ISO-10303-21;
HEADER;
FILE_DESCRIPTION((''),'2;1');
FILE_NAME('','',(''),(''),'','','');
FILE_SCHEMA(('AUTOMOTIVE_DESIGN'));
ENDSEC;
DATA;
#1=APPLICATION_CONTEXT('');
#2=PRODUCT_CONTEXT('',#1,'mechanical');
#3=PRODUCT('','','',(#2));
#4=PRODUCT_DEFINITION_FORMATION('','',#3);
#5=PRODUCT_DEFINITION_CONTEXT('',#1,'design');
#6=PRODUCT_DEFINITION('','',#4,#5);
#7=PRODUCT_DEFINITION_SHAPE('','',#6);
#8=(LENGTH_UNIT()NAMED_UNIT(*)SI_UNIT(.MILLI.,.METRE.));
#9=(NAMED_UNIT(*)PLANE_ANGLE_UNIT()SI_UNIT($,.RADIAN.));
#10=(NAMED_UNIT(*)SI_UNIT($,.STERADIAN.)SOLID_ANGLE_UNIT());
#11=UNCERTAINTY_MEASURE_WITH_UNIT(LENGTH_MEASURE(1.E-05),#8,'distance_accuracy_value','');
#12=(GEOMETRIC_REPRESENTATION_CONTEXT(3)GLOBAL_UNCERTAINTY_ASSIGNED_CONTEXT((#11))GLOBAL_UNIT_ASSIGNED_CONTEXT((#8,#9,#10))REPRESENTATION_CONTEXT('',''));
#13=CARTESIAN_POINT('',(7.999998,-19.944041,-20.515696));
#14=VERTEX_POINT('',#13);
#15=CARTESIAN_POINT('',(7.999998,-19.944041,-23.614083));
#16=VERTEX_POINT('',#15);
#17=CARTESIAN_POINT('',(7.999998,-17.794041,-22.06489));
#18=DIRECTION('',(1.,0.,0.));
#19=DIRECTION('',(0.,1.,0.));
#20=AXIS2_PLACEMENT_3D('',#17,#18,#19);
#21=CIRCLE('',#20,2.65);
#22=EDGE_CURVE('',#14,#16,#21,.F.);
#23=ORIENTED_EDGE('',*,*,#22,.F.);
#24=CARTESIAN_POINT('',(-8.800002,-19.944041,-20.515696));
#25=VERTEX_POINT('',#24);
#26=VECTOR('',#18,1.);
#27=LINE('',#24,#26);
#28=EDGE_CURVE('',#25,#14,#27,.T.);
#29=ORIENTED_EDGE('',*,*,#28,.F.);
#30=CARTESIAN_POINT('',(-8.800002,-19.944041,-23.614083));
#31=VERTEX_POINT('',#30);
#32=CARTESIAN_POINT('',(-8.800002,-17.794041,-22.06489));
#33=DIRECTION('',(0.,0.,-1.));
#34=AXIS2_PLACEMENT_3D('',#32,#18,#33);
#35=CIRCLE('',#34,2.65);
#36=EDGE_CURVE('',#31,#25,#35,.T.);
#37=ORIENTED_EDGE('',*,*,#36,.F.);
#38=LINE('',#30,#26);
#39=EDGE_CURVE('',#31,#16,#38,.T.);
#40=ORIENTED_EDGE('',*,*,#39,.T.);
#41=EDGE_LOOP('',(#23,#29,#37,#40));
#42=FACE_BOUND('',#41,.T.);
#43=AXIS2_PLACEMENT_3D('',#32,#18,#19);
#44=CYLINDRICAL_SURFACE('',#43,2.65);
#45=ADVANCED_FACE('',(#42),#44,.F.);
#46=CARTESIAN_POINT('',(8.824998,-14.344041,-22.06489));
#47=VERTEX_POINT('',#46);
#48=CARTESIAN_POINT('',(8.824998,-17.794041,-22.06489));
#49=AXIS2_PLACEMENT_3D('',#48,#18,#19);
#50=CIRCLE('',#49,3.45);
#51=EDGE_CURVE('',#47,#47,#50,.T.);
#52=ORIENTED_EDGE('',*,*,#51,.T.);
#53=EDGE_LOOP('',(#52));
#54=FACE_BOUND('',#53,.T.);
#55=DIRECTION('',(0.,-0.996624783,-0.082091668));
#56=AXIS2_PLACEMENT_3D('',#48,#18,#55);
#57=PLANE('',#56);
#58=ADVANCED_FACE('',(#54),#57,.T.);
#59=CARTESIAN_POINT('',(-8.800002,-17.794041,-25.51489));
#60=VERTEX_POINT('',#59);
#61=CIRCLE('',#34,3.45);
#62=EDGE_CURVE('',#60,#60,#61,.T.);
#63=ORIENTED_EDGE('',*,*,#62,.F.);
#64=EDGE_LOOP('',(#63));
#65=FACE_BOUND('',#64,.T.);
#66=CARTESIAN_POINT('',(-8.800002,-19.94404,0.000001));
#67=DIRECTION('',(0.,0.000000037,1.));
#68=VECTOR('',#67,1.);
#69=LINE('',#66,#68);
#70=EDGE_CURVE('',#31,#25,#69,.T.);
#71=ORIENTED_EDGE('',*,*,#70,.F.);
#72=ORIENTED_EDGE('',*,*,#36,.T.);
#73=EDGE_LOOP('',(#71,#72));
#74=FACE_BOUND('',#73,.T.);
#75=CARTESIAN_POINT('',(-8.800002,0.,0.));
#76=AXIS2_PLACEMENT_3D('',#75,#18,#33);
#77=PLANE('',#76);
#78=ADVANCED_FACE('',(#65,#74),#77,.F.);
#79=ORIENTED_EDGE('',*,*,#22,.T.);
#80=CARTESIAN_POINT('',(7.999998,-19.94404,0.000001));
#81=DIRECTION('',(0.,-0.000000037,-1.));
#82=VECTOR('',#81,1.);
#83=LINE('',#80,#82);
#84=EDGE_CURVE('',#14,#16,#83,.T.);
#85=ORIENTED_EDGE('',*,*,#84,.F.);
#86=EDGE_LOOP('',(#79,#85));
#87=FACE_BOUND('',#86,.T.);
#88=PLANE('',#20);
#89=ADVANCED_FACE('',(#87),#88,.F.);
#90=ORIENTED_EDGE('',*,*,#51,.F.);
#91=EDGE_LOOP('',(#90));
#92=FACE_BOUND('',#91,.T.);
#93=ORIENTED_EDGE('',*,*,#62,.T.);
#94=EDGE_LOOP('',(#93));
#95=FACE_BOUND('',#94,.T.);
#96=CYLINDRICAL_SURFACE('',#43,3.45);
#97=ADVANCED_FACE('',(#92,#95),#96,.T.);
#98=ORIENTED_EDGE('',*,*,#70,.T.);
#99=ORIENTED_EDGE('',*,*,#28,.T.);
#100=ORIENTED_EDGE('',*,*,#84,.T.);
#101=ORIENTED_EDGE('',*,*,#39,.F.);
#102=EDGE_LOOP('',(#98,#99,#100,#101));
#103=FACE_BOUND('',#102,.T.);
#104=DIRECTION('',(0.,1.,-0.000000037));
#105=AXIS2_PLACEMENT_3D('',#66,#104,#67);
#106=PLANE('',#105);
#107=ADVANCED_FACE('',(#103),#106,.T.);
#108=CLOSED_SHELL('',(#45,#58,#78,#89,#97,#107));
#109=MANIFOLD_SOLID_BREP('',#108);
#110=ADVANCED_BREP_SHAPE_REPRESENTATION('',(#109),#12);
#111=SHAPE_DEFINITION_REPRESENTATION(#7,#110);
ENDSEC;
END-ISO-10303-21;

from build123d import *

# Parameters (mm, degrees)
BOSS_EXTRUDE1_START = 0.2
BOSS_EXTRUDE1_DEPTH = 17
BOSS_EXTRUDE2_START = 0.825
SKETCH1_3_R         = 3.45
BOSS_EXTRUDE2_DEPTH = 0.825


with BuildPart() as part:
    # Sketch1 → Boss-Extrude1 (new body)
    # profile 1 of 2: a face of its own
    with BuildSketch(Plane(origin=(7.999998093, 0, 0), x_dir=(0, 0, -1), z_dir=(1, 0, 0)).offset(BOSS_EXTRUDE1_START)):
        with BuildLine():
            Line((23.853743883, -20.744040957), (20.276035119, -20.744040824))
            ThreePointArc((20.276035119, -20.744040824), (18.742240101, -16.865331986), (22.06488974, -14.344040891))
            ThreePointArc((22.06488974, -14.344040891), (25.387539191, -16.865332234), (23.853743883, -20.744040957))
        make_face()
        with BuildLine():
            ThreePointArc((23.61408287, -19.944040948), (24.586793684, -16.980099955), (22.06488971, -15.144040891))
            ThreePointArc((22.06488971, -15.144040891), (19.542985599, -16.980099767), (20.515696193, -19.944040833))
            Line((20.515696193, -19.944040833), (23.61408287, -19.944040948))
        make_face(mode=Mode.SUBTRACT)
    # profile 2 of 2: a face of its own
    with BuildSketch(Plane(origin=(7.999998093, 0, 0), x_dir=(0, 0, -1), z_dir=(1, 0, 0)).offset(BOSS_EXTRUDE1_START)):
        with BuildLine():
            ThreePointArc((20.276035119, -20.744040824), (22.064889483, -21.244040891), (23.853743883, -20.744040957))
            Line((23.853743883, -20.744040957), (20.276035119, -20.744040824))
        make_face()
    extrude(amount=-BOSS_EXTRUDE1_DEPTH)

    # Sketch1<3> → Boss-Extrude2 (add)
    with BuildSketch(Plane(origin=(7.999998093, 0, 0), x_dir=(0, 0, -1), z_dir=(1, 0, 0)).offset(BOSS_EXTRUDE2_START)):
        with Locations(Location((22.064889611, -17.794040891, 0), (0, 0, 90))):
            Circle(SKETCH1_3_R)
        with BuildLine():
            Line((23.853743883, -20.744040957), (20.276035119, -20.744040824))
            ThreePointArc((20.276035119, -20.744040824), (18.742240101, -16.865331986), (22.06488974, -14.344040891))
            ThreePointArc((22.06488974, -14.344040891), (25.387539191, -16.865332234), (23.853743883, -20.744040957))
        make_face()
    extrude(amount=-BOSS_EXTRUDE2_DEPTH)


solid = part.part
